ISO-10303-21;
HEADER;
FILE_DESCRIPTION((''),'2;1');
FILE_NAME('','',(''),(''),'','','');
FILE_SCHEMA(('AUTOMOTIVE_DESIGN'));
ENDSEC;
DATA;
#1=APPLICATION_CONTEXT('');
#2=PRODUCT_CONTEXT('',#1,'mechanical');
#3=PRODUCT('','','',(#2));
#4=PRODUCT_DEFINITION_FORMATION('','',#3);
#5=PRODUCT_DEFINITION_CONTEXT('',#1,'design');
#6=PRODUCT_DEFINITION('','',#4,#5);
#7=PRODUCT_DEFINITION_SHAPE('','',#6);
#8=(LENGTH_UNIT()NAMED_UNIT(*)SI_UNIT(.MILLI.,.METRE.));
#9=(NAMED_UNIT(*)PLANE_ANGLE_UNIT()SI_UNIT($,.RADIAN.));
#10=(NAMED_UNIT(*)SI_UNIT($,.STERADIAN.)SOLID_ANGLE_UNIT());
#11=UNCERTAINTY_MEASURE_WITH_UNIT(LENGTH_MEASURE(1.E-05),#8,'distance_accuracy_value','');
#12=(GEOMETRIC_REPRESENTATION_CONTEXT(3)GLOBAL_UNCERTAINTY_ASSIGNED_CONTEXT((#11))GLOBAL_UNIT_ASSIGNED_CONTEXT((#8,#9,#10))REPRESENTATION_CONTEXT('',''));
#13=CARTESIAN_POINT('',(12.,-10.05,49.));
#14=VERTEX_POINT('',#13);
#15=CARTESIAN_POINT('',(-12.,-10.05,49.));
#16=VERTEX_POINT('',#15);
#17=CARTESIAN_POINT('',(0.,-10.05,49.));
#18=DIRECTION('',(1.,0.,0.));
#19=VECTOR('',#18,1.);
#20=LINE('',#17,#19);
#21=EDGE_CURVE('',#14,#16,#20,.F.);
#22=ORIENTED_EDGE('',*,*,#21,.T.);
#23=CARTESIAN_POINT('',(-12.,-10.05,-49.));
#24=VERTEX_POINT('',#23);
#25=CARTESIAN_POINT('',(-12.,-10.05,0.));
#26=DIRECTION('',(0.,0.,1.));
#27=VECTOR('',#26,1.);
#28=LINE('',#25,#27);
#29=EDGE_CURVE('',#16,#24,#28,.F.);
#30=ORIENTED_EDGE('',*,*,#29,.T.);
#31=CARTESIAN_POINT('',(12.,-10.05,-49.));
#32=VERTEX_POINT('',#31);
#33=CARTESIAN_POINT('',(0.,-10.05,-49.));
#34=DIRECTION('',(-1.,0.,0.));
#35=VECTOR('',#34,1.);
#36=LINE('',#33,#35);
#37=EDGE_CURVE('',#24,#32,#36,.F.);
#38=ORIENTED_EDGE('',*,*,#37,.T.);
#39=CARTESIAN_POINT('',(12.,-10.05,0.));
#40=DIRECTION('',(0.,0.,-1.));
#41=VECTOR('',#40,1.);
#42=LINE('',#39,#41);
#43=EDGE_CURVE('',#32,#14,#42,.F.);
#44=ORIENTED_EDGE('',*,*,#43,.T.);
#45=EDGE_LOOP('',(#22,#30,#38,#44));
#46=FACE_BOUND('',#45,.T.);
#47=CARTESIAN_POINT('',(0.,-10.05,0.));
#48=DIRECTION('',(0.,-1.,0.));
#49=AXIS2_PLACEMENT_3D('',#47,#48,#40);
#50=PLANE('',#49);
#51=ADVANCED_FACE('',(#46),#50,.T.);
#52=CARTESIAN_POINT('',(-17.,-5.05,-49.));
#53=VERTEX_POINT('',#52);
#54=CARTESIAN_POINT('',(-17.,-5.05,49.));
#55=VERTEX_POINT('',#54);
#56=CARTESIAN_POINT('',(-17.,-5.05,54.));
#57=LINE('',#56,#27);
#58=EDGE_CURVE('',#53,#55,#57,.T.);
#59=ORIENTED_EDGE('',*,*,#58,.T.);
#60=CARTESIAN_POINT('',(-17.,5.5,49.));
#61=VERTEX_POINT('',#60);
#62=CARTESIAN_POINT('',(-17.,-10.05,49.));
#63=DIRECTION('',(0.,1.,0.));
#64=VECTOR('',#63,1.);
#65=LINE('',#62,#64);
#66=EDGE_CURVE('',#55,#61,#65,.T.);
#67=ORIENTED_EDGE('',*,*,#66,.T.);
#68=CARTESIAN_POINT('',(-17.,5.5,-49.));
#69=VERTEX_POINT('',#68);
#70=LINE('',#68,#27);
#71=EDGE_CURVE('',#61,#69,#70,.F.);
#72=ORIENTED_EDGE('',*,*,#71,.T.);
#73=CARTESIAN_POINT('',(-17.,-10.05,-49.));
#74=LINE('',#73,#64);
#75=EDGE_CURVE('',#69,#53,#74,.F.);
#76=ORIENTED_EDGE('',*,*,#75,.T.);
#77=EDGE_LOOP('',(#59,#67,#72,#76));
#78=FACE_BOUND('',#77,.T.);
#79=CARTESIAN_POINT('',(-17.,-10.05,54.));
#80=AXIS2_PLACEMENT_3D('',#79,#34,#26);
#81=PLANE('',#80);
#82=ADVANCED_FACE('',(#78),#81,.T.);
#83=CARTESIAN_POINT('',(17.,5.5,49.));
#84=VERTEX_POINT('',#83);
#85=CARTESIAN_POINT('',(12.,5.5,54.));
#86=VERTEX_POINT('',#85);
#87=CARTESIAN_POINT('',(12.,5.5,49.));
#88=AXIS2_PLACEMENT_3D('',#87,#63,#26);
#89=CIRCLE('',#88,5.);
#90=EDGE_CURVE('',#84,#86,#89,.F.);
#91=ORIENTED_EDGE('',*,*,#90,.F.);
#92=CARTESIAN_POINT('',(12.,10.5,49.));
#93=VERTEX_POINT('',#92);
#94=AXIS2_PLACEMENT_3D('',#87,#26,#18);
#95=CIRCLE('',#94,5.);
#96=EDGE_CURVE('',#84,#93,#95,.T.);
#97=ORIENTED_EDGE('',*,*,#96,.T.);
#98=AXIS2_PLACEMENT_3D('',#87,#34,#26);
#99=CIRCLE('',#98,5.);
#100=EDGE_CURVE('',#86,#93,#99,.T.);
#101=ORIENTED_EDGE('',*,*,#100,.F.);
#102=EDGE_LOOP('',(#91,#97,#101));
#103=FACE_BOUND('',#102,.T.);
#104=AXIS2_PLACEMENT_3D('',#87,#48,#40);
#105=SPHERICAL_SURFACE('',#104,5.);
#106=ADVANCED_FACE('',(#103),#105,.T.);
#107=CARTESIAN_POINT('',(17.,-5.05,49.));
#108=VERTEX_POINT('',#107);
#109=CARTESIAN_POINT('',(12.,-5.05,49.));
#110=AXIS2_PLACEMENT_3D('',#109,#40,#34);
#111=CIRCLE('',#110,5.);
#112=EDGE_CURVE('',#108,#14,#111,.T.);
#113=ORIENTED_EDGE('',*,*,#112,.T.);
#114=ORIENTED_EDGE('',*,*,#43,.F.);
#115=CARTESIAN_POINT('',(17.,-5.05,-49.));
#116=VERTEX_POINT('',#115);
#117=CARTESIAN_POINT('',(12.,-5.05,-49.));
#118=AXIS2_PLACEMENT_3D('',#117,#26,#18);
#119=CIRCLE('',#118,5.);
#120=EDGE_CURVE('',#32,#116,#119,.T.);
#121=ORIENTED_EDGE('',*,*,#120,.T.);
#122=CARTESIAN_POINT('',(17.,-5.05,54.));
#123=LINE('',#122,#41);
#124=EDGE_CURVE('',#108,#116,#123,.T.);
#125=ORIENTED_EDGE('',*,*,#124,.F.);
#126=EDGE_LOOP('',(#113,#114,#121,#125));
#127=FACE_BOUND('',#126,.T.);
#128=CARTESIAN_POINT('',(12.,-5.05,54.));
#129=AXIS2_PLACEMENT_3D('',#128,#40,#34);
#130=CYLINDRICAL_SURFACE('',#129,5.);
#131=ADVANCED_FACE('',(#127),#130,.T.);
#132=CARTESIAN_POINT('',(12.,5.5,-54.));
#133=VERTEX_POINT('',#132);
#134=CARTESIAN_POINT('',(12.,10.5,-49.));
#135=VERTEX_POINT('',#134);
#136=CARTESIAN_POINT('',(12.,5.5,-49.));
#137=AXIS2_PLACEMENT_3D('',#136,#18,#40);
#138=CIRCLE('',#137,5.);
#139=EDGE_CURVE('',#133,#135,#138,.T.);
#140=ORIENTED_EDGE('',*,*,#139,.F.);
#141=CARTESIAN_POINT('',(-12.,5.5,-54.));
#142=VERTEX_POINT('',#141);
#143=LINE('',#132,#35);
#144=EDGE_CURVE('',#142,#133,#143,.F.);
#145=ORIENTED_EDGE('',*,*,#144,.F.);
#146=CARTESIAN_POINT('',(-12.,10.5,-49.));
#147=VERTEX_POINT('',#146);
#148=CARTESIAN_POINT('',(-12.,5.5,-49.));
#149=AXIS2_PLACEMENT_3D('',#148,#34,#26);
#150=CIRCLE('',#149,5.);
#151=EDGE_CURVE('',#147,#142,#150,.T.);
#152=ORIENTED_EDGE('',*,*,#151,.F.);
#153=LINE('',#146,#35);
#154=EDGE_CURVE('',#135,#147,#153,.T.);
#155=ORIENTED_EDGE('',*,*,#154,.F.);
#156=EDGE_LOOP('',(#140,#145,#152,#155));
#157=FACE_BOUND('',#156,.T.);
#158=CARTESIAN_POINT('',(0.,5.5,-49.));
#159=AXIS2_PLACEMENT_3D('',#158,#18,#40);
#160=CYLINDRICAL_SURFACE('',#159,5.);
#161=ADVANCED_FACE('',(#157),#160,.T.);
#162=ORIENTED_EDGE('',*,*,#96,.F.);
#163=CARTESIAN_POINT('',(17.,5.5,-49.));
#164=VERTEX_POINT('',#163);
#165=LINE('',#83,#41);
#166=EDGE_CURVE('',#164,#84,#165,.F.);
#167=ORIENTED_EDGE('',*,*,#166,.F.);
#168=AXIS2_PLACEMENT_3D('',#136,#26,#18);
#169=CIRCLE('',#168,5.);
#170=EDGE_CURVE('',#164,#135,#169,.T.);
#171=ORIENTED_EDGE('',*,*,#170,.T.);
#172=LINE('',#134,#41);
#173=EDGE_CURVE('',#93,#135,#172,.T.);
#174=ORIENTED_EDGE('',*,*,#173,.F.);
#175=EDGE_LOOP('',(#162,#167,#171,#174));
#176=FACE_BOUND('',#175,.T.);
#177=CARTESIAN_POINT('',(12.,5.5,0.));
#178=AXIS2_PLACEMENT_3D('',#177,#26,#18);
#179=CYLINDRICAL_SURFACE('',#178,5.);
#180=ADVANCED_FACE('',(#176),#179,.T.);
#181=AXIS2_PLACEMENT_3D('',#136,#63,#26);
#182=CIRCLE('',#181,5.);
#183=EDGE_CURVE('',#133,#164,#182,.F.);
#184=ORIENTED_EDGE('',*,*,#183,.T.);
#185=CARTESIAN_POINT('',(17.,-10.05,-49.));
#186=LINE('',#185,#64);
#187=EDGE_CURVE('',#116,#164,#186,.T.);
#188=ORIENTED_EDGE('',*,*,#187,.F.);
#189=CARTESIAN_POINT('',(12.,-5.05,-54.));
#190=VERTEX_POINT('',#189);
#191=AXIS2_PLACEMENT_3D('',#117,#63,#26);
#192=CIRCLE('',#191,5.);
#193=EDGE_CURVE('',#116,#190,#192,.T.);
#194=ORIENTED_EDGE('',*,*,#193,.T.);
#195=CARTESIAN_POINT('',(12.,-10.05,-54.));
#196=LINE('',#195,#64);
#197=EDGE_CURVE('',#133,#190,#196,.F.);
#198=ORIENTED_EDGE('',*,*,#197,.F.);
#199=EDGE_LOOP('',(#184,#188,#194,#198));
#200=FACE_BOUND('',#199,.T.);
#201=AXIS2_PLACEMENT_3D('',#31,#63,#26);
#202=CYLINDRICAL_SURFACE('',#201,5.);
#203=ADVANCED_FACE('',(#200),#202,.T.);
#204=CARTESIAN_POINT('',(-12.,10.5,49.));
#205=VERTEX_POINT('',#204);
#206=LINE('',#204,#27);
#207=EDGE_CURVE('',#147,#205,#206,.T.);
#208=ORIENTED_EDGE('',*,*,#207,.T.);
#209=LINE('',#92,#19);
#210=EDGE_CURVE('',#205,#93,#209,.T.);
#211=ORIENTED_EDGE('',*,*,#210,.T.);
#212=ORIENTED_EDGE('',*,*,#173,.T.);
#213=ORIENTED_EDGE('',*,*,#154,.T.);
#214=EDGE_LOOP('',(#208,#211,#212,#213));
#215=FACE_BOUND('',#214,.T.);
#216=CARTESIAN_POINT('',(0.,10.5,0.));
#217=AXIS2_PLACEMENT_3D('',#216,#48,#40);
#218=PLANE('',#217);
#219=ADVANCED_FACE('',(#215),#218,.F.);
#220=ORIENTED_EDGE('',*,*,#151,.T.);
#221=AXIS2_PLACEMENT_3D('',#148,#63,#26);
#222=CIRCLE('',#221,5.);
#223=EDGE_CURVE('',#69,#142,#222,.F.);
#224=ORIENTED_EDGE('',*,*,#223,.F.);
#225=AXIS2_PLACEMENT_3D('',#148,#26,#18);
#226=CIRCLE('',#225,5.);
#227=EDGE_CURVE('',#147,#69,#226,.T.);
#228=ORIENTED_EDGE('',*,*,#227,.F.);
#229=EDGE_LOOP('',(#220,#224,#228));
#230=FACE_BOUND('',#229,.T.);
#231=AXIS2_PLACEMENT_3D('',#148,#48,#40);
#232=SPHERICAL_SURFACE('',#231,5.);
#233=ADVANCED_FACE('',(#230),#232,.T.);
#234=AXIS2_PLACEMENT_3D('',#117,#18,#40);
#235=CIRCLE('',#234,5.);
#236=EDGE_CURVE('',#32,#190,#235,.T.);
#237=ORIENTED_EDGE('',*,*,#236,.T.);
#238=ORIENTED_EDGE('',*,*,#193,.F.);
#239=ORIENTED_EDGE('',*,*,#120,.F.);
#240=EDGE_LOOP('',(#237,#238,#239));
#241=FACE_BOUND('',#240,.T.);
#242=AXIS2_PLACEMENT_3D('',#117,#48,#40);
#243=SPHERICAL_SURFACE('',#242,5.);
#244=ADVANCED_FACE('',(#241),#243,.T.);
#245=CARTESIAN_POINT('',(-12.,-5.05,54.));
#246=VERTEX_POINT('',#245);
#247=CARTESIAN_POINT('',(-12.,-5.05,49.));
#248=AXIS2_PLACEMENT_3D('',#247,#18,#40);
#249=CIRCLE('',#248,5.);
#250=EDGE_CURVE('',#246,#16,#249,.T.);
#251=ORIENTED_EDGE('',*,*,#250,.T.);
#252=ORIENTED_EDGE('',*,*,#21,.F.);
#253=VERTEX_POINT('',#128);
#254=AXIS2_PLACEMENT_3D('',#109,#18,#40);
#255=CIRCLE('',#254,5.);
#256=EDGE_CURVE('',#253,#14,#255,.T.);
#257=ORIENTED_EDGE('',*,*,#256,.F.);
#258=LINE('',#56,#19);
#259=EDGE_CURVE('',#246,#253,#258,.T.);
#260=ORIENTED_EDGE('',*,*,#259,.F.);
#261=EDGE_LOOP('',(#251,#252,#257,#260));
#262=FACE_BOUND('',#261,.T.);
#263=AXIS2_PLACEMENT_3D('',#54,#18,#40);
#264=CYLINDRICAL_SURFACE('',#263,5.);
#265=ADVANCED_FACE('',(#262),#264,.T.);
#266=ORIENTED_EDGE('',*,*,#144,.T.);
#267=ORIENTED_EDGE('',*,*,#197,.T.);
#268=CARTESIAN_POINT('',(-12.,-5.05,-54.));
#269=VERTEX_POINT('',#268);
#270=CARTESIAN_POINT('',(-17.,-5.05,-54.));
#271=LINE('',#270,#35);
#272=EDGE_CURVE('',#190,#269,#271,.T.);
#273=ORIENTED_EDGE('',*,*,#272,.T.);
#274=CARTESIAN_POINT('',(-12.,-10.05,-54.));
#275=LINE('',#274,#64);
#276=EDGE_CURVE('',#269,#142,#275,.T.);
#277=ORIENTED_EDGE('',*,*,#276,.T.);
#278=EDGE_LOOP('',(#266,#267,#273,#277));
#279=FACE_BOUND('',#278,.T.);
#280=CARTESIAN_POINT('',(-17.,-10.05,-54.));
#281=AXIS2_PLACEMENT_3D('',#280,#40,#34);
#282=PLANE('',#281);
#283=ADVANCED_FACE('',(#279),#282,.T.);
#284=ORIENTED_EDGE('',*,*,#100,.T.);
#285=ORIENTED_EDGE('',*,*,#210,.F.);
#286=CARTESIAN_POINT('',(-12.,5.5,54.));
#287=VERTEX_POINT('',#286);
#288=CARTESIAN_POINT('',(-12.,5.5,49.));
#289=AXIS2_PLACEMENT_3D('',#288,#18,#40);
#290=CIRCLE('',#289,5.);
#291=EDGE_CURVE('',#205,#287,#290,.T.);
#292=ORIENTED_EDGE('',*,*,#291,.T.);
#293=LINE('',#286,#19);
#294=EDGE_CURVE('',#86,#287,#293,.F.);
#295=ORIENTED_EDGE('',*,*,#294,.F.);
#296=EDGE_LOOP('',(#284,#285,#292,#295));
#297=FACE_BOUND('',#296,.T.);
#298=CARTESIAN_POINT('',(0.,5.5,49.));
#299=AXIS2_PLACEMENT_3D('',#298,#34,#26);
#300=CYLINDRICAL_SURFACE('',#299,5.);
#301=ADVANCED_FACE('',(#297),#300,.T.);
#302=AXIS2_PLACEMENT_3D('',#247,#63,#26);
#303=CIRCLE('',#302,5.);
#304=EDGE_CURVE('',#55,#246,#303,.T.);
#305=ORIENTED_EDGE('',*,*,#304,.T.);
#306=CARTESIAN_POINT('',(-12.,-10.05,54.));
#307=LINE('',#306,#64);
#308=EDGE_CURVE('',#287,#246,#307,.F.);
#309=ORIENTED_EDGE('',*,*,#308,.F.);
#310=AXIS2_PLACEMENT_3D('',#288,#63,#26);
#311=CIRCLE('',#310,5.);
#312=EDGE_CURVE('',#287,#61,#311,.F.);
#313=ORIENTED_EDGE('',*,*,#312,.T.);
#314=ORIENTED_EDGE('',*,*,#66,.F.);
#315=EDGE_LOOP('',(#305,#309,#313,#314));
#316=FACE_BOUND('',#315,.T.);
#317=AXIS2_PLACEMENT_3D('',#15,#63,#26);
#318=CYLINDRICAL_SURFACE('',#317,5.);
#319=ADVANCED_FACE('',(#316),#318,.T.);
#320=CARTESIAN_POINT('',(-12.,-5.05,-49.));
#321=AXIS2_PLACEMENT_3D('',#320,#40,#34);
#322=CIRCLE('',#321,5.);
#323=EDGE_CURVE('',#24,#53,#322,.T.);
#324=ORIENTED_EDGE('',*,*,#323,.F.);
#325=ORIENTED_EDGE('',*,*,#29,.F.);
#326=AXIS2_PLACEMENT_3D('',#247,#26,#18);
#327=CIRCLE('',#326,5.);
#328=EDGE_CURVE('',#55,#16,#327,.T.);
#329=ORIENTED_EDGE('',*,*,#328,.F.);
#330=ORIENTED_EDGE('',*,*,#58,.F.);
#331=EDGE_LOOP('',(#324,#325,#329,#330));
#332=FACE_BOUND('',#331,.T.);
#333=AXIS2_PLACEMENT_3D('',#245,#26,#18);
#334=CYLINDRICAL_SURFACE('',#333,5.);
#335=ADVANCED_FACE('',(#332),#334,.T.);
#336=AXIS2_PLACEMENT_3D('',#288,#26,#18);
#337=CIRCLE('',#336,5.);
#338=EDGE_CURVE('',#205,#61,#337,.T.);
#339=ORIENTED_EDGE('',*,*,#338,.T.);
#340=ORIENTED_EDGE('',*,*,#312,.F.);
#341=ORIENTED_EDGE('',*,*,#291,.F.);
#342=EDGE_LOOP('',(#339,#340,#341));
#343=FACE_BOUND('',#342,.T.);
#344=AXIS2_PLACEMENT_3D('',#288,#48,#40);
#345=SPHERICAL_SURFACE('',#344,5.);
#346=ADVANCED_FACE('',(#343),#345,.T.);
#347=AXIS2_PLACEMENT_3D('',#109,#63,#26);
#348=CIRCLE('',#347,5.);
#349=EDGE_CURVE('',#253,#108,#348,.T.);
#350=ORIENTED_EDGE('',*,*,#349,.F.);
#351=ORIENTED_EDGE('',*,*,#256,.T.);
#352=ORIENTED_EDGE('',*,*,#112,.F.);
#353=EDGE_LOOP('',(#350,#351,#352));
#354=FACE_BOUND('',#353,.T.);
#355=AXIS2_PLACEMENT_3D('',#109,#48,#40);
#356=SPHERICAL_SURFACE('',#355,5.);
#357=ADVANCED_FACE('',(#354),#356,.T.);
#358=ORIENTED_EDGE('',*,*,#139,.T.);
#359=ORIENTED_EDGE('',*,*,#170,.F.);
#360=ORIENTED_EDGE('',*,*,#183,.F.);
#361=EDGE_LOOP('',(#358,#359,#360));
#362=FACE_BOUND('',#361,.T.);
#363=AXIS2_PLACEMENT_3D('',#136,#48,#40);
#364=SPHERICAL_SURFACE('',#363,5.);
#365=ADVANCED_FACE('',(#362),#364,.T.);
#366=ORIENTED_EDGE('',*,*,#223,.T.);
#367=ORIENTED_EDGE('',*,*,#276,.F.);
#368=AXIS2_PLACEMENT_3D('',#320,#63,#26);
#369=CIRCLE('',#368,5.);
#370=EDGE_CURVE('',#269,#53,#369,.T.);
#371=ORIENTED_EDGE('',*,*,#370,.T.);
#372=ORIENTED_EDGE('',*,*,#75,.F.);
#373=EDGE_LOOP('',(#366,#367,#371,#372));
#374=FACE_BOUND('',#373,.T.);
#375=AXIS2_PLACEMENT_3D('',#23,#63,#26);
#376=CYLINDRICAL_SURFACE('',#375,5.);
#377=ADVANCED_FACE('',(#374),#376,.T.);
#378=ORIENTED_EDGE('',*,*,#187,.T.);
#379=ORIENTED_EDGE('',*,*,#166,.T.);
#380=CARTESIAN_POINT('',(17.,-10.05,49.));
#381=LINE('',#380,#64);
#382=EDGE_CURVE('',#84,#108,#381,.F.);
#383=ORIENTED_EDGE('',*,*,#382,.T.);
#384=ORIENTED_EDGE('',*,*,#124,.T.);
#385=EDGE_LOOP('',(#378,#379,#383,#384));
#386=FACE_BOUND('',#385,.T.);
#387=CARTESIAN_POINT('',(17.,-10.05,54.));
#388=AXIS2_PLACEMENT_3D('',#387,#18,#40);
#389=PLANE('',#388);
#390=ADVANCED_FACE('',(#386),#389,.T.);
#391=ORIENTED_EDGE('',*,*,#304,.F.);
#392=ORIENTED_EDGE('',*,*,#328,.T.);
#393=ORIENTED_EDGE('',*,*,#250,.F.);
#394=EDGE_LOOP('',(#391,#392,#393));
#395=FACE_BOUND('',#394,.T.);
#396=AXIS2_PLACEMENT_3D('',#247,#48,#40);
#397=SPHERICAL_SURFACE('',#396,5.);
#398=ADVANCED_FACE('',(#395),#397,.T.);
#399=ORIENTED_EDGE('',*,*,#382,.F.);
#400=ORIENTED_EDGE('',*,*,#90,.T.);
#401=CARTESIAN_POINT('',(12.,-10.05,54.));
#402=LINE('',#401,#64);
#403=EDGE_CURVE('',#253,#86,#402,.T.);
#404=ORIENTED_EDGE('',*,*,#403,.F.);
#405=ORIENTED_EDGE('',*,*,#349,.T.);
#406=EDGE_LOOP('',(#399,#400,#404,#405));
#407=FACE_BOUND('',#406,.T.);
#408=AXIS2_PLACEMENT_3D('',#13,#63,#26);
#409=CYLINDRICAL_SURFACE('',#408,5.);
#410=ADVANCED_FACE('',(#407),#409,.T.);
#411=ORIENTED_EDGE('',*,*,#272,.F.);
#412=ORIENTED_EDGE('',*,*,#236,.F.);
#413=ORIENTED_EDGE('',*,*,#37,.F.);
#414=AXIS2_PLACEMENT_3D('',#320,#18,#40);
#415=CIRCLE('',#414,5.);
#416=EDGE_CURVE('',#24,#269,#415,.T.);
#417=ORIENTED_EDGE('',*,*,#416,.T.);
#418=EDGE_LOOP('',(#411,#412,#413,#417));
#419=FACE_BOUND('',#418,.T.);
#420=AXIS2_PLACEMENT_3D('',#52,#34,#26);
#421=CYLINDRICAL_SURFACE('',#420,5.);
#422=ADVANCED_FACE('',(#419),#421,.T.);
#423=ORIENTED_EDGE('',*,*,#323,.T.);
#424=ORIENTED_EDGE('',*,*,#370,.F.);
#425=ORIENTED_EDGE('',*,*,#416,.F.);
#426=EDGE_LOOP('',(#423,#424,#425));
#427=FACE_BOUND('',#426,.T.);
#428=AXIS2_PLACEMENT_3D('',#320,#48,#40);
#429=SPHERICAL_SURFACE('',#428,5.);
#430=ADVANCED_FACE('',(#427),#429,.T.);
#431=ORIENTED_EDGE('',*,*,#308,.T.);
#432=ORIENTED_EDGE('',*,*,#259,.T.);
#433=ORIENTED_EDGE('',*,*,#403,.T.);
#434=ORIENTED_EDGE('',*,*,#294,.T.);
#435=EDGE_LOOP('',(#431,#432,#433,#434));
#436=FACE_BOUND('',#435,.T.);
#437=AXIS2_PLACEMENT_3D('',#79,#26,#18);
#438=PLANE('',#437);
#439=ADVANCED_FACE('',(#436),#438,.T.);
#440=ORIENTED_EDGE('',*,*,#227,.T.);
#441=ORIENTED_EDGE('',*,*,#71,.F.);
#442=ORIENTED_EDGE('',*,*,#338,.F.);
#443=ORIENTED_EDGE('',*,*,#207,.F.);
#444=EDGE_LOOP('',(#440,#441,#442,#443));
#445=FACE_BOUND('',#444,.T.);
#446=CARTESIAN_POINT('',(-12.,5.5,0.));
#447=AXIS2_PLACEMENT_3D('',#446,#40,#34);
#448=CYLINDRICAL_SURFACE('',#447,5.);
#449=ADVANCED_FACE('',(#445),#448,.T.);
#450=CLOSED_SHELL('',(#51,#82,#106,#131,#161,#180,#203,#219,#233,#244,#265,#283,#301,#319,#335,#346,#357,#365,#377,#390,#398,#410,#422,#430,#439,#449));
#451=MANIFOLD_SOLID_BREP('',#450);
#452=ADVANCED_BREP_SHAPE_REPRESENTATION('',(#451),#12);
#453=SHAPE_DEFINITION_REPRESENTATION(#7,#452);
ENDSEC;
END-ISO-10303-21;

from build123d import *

# Parameters (mm, degrees)
ESQUISSE1_W             = 34
ESQUISSE1_H             = 108
BOSS_EXTRU_1_DEPTH      = 10.5
BOSS_EXTRU_1_DEPTH_BACK = 10.05
CONG_1_R                = 5
CONG_2_R                = 5


with BuildPart() as part:
    # Esquisse1 → Boss.-Extru.1 (new body, two sides)
    with BuildSketch(Plane(origin=(0, 0, 0), x_dir=(1, 0, 0), z_dir=(0, 1, 0))) as boss_extru_1_sk:
        Rectangle(ESQUISSE1_W, ESQUISSE1_H)
    extrude(amount=BOSS_EXTRU_1_DEPTH)
    extrude(boss_extru_1_sk.sketch, amount=-BOSS_EXTRU_1_DEPTH_BACK)

    # Congé1
    cong_1_edges = [part.edges().sort_by_distance(p)[0] for p in [
        (17, 0.225, 54),
        (-17, 0.225, 54),
        (-17, 0.225, -54),
        (17, 0.225, -54),
    ]]
    fillet(cong_1_edges, radius=CONG_1_R)

    # Congé2
    cong_2_edges = [part.edges().sort_by_distance(p)[0] for p in [
        (17, 10.5, 0),
        (17, -10.05, 0),
        (0, 10.5, -54),
        (-17, 10.5, 0),
        (0, 10.5, 54),
        (15.535533906, 10.5, 52.535533906),
        (-15.535533906, 10.5, 52.535533906),
        (-15.535533906, 10.5, -52.535533906),
        (15.535533906, 10.5, -52.535533906),
        (0, -10.05, -54),
        (0, -10.05, 54),
        (-17, -10.05, 0),
        (15.535533906, -10.05, 52.535533906),
        (-15.535533906, -10.05, 52.535533906),
        (-15.535533906, -10.05, -52.535533906),
        (15.535533906, -10.05, -52.535533906),
    ]]
    fillet(cong_2_edges, radius=CONG_2_R)


solid = part.part
